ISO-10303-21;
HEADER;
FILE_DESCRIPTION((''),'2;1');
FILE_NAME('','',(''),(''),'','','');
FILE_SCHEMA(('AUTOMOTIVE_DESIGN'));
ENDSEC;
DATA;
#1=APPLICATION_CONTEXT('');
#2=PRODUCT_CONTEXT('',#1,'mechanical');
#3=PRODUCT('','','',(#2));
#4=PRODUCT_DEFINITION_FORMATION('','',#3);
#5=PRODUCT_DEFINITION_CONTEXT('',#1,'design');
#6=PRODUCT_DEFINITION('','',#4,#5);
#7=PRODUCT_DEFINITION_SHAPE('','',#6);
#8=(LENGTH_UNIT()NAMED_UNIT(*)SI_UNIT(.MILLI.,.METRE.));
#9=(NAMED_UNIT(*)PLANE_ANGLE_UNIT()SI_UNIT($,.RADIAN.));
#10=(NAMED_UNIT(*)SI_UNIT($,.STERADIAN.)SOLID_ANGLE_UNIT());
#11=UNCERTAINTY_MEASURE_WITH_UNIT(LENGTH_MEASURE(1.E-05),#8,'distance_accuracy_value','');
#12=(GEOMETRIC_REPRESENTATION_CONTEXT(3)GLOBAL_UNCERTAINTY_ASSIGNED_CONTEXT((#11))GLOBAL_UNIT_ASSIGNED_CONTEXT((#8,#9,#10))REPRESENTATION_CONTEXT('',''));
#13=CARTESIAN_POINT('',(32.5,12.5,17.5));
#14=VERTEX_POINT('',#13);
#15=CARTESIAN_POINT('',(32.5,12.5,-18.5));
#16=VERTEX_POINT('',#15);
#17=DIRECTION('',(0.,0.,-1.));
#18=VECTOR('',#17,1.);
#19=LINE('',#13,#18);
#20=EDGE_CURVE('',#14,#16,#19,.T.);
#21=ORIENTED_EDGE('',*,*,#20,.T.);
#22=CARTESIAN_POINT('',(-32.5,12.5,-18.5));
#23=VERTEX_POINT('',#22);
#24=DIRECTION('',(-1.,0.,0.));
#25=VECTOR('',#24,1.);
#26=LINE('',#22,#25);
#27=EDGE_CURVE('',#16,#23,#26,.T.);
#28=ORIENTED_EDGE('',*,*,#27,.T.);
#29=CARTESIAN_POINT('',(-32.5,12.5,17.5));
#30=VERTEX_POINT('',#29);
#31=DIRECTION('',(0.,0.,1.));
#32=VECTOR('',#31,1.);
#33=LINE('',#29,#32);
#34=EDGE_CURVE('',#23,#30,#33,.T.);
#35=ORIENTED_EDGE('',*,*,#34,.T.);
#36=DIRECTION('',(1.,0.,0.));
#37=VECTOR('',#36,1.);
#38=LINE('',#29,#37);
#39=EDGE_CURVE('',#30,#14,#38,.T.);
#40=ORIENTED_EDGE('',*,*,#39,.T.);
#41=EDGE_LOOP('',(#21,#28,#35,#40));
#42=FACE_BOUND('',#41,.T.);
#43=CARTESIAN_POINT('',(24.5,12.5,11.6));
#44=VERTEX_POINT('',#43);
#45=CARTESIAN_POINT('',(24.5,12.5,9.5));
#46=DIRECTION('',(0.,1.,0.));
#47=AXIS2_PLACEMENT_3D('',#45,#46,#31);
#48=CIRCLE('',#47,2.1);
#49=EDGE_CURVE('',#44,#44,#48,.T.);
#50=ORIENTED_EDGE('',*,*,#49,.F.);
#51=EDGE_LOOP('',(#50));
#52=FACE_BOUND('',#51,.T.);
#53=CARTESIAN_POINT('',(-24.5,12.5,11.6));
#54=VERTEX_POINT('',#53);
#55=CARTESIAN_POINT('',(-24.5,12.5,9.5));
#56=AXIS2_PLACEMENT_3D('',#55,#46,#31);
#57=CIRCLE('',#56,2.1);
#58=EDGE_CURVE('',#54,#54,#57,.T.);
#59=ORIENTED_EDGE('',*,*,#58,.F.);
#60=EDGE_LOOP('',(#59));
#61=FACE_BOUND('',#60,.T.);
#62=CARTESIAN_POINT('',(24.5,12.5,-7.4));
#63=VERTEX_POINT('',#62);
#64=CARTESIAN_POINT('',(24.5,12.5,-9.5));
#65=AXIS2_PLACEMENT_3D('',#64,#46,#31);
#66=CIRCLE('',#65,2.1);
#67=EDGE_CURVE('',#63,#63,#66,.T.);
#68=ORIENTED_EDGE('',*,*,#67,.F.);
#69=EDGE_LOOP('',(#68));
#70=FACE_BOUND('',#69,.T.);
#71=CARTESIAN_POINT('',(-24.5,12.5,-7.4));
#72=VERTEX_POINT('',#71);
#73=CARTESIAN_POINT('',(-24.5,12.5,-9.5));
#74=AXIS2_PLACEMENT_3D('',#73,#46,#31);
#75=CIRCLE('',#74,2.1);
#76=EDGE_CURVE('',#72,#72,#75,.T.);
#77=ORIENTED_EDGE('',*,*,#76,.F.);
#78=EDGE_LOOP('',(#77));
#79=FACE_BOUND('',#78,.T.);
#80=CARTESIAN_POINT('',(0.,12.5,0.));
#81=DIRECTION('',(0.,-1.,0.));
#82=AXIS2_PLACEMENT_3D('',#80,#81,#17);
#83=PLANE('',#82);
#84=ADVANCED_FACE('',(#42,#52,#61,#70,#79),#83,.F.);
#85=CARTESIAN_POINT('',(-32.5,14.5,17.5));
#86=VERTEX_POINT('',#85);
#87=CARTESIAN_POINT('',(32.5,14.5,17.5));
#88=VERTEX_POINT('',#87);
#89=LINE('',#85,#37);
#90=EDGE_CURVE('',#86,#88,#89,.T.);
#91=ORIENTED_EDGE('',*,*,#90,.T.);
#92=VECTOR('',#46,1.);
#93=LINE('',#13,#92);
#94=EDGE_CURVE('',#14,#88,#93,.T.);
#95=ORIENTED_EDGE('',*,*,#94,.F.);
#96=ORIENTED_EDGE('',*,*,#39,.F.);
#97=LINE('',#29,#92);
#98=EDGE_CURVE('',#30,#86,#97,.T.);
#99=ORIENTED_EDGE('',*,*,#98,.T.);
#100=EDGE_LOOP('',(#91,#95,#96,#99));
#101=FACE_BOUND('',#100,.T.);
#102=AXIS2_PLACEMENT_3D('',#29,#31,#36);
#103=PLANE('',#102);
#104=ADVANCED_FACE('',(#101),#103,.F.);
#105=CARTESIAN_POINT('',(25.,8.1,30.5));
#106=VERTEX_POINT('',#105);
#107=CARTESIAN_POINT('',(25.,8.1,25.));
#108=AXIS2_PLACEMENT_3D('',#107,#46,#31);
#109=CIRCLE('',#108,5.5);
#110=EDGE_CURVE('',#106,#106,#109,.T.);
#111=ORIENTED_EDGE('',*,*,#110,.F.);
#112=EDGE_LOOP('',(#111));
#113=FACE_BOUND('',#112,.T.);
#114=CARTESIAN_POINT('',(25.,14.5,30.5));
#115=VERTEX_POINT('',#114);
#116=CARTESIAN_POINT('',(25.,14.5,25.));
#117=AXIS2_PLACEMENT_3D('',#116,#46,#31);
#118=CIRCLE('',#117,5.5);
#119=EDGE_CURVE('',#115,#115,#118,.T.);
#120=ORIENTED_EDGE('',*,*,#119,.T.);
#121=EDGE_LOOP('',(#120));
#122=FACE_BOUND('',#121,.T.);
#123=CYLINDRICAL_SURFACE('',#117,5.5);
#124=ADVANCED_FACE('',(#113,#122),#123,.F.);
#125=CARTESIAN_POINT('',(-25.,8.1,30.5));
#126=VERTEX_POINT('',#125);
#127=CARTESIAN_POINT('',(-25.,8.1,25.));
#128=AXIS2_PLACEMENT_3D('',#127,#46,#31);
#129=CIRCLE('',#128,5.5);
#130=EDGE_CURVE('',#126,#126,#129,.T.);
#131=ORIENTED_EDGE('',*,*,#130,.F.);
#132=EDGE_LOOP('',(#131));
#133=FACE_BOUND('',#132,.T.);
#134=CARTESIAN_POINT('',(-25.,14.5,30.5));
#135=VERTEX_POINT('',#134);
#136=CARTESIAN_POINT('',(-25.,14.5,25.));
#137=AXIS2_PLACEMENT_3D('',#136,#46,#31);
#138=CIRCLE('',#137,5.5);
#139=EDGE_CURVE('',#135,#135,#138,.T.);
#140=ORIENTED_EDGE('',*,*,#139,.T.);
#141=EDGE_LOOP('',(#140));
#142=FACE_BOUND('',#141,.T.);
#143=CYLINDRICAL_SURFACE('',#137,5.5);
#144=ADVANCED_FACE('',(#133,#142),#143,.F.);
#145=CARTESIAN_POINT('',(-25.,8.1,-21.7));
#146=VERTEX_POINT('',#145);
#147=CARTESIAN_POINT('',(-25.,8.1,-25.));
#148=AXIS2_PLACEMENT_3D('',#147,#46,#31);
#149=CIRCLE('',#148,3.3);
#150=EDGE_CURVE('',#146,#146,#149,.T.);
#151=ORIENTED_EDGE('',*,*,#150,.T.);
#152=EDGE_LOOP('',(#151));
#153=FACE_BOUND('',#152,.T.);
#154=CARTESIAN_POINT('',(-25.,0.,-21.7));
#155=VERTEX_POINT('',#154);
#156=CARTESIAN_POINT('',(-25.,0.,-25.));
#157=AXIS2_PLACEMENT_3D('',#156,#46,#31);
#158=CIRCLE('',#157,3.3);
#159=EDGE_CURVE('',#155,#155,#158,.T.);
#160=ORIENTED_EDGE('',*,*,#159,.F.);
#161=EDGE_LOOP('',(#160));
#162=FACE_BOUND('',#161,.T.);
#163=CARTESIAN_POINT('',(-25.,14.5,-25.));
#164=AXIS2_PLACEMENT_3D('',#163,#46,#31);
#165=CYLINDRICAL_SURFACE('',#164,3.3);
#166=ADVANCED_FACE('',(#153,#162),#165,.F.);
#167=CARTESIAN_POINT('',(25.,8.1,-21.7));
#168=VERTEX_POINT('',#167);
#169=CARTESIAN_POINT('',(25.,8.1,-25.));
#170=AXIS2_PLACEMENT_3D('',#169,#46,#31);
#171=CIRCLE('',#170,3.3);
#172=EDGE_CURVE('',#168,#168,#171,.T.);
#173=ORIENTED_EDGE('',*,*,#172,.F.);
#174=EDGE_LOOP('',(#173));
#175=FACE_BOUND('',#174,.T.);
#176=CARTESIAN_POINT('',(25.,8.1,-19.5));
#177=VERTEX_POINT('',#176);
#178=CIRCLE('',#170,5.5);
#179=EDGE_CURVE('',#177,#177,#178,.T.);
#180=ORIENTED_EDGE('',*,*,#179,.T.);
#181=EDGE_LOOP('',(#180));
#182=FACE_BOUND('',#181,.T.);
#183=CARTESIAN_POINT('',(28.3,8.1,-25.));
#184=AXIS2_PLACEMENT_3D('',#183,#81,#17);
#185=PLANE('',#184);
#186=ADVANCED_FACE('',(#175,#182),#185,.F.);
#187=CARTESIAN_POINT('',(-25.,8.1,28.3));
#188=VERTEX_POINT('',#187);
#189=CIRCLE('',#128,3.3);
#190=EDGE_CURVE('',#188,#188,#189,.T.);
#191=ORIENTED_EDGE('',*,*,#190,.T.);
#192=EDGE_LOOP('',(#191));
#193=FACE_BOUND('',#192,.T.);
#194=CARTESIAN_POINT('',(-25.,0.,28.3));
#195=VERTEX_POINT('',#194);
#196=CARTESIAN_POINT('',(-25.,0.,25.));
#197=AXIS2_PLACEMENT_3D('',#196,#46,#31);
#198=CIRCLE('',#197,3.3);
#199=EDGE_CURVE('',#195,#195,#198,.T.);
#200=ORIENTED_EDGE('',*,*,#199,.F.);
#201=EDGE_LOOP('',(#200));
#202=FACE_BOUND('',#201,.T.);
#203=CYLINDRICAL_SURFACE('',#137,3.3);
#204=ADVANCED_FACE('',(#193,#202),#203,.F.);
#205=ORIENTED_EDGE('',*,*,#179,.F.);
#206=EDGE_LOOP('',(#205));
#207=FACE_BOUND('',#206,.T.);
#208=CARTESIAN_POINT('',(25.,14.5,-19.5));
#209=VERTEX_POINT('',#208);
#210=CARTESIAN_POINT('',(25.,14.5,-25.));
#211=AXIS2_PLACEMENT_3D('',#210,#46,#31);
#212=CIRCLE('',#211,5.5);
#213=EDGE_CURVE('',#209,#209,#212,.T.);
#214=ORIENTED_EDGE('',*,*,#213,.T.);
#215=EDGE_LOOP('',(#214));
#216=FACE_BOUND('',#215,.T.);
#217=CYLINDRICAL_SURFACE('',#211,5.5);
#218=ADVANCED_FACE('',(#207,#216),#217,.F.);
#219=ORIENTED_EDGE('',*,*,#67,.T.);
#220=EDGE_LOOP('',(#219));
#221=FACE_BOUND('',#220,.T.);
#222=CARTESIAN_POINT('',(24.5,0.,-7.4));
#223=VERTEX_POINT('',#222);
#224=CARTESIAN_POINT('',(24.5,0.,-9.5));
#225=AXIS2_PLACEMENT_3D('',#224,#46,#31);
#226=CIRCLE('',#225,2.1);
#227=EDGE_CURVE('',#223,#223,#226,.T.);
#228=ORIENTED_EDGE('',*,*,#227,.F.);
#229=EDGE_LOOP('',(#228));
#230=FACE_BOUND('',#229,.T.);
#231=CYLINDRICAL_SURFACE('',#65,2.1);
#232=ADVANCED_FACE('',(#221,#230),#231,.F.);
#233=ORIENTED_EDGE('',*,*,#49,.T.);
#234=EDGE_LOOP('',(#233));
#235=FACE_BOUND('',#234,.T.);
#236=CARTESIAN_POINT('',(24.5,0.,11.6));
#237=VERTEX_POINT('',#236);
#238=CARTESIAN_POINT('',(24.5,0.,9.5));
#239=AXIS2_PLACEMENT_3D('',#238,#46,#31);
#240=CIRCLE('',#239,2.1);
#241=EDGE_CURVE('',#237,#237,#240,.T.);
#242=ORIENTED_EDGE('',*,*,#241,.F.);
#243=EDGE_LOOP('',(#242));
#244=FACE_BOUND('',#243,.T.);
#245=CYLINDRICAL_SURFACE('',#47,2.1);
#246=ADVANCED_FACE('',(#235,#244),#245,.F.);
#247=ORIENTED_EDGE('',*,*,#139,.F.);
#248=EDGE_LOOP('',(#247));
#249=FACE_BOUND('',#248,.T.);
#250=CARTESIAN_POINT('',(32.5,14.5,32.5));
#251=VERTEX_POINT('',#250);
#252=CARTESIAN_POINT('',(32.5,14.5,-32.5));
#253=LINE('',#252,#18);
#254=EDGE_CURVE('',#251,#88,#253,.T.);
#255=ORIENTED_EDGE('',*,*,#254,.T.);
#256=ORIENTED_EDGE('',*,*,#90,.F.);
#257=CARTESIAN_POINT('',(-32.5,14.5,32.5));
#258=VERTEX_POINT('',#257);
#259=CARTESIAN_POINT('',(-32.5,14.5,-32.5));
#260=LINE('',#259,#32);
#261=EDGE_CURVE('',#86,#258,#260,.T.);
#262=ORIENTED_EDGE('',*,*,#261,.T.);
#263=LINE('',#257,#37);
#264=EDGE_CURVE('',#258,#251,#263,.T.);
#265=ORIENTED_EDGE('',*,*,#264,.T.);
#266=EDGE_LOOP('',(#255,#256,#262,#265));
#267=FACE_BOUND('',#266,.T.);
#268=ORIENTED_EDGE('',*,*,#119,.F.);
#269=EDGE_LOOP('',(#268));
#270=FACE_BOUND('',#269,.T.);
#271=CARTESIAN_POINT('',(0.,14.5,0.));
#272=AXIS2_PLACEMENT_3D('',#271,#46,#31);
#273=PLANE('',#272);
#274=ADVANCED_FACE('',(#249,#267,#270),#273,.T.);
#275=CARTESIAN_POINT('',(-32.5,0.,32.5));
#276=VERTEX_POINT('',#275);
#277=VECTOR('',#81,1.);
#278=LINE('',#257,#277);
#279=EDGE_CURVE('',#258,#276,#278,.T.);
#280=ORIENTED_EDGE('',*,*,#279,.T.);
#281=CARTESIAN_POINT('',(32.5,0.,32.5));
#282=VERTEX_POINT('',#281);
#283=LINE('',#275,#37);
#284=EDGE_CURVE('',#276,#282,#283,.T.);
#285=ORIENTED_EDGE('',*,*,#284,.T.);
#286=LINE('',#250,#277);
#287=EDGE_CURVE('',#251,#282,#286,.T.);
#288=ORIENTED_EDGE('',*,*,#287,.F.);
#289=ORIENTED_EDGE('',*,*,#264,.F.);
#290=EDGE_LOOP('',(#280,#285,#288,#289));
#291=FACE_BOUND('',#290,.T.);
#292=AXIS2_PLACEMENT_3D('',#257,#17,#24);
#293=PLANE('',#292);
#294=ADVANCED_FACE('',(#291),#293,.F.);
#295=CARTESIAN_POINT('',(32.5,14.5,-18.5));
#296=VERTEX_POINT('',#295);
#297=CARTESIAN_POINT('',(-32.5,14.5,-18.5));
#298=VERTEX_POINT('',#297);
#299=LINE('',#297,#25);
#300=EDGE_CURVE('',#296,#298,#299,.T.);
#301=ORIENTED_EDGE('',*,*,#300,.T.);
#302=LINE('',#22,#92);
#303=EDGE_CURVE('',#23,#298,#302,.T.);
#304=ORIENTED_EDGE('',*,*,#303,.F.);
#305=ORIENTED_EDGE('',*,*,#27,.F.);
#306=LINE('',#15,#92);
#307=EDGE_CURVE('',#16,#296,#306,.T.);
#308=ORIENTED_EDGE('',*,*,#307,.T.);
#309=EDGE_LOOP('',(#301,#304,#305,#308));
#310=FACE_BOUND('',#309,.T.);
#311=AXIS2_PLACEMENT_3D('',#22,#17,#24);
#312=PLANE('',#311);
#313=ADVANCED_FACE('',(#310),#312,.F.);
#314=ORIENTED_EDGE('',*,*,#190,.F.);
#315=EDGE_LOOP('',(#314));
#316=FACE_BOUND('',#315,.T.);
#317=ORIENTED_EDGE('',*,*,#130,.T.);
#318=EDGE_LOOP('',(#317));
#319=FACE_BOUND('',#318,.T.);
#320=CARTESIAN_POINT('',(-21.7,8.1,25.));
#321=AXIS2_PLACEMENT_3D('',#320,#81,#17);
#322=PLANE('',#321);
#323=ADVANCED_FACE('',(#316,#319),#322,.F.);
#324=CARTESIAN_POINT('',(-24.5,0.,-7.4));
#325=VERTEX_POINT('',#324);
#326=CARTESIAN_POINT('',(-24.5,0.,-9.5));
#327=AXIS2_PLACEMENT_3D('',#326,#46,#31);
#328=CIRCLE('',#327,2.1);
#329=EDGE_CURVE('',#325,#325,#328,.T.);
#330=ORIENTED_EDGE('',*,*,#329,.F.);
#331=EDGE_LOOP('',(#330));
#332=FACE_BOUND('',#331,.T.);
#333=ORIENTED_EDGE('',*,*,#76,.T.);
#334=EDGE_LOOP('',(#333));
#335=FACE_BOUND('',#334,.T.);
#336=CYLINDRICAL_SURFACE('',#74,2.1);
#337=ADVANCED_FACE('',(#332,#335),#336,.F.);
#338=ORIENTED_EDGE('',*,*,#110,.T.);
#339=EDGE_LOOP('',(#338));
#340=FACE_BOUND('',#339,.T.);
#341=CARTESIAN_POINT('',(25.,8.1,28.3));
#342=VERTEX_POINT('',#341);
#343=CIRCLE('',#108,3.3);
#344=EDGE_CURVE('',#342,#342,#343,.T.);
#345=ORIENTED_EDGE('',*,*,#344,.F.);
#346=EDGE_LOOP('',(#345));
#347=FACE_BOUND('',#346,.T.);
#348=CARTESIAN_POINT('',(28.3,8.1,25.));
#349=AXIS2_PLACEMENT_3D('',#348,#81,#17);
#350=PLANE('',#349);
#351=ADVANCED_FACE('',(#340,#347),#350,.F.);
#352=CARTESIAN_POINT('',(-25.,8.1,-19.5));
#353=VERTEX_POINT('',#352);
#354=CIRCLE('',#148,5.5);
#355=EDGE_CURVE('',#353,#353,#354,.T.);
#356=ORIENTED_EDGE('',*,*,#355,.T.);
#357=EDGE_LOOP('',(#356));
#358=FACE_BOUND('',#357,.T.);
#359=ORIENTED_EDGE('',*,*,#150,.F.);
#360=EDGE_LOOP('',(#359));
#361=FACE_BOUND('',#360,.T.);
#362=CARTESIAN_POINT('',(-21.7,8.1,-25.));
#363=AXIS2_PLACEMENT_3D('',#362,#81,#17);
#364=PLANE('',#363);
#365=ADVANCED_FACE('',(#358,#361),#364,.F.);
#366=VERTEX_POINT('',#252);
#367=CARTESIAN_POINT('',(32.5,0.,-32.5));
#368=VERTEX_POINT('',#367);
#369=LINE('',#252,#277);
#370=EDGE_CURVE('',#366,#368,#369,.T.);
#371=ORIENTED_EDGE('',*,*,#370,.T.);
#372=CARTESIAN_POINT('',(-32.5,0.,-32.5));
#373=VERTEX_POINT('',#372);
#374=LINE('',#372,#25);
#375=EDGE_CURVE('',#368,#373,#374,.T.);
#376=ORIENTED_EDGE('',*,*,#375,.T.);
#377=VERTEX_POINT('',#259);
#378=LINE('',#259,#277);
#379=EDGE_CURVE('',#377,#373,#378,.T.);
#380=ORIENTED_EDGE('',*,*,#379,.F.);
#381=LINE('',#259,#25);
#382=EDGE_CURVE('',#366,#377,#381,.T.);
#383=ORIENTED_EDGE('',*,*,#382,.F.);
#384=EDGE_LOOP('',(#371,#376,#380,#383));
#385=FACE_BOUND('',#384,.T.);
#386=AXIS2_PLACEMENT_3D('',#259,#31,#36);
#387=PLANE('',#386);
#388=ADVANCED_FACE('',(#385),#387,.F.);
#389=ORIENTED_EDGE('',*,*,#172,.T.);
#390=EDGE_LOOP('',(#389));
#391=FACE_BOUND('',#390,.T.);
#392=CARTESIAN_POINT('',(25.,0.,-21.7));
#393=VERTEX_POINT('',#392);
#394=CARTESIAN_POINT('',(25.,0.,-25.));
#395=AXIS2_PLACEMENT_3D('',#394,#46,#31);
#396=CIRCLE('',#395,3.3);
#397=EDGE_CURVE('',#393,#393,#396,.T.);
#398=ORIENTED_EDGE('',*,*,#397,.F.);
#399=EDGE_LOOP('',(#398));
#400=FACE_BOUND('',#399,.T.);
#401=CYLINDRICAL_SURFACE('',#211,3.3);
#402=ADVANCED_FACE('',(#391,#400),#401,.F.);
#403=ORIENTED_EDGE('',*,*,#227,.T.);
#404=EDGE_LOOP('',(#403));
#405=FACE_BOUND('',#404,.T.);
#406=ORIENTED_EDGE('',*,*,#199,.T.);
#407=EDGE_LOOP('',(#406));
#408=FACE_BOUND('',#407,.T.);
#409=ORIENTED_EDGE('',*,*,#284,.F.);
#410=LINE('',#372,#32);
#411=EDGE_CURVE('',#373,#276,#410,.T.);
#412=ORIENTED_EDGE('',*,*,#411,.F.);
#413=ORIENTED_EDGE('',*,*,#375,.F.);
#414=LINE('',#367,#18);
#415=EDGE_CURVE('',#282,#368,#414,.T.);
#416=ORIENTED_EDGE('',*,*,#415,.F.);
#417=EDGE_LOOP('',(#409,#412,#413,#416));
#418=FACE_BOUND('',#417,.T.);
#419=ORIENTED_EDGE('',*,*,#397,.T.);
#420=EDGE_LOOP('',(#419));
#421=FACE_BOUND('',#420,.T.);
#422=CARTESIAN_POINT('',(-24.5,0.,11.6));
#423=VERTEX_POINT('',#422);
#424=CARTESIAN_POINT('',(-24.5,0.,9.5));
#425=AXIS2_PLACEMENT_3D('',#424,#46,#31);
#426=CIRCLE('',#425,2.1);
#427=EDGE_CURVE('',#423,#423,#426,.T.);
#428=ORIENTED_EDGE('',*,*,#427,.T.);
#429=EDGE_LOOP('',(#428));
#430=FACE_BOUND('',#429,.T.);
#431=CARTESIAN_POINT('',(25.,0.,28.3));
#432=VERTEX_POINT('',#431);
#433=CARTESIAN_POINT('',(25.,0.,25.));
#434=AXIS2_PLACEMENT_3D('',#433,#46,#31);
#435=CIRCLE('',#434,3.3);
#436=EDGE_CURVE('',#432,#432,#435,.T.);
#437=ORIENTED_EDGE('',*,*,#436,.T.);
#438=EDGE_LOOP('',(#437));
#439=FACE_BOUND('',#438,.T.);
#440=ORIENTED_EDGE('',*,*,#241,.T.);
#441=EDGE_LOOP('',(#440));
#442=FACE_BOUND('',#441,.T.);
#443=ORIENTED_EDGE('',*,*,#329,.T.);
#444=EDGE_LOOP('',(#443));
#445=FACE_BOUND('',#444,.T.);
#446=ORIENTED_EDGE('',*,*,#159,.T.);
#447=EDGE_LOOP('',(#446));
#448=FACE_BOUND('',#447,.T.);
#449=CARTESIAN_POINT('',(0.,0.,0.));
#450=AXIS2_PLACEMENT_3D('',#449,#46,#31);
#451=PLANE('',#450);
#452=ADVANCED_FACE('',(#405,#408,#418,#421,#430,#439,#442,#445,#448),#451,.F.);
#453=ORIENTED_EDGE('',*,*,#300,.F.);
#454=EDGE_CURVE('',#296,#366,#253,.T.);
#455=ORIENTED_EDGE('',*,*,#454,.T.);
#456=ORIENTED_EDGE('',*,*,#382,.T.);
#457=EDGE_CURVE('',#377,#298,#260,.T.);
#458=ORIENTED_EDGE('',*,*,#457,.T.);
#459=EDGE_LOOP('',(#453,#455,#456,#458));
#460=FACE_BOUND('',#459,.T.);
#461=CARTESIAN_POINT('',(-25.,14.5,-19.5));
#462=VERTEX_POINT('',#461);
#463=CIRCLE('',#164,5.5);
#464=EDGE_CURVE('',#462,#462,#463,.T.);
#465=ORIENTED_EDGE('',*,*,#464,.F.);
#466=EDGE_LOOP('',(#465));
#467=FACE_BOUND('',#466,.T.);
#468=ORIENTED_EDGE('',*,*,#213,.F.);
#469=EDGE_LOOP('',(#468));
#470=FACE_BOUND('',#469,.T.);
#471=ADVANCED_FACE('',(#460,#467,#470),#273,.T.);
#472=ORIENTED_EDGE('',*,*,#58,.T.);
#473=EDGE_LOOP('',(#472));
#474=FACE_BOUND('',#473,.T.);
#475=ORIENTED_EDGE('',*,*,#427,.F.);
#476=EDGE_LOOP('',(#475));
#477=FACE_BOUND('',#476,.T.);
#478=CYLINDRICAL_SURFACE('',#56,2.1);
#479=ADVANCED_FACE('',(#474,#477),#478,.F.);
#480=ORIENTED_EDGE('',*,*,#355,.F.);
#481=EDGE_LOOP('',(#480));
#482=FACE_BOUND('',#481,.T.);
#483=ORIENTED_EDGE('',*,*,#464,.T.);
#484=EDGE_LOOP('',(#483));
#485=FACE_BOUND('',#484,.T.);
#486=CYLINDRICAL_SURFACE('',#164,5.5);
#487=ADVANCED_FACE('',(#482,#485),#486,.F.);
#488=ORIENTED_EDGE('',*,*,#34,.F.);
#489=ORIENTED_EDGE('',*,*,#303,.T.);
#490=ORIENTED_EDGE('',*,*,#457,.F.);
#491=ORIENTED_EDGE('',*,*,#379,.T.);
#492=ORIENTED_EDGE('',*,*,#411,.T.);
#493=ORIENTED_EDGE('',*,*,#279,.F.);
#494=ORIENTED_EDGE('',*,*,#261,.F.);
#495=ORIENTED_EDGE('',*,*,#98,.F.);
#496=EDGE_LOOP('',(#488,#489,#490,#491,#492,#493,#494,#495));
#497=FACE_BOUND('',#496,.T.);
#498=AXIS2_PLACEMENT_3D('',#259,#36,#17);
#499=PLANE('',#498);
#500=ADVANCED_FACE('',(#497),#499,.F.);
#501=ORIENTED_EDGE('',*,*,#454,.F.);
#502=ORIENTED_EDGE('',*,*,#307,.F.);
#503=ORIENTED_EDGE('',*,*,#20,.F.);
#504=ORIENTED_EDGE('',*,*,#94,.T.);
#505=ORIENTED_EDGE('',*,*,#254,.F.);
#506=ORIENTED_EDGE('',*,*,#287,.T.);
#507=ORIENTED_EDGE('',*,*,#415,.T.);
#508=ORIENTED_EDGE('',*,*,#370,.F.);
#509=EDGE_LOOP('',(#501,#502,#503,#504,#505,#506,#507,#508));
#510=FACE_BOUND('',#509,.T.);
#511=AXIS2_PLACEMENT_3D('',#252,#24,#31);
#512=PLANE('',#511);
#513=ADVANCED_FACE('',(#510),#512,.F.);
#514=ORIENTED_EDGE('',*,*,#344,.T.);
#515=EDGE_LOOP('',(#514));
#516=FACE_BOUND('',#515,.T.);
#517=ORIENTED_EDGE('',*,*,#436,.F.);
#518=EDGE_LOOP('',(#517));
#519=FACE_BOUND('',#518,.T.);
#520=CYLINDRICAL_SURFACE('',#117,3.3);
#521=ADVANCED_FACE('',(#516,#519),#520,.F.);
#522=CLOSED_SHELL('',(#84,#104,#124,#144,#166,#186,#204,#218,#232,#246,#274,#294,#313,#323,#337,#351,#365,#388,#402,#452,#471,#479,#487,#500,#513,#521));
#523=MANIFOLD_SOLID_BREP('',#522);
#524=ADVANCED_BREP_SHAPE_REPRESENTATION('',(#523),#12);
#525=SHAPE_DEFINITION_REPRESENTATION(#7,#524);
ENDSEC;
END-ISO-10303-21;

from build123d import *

# Parameters (mm, degrees)
SKIZZE1_W                                            = 65
SKIZZE1_H                                            = 65
AUFSATZ_LINEAR_AUSTRAGEN1_DEPTH                      = 14.5
STIRNSENKUNG_F_R_M6_ZYLINDERSCHRAUBE_MIT_D           = 6.6
STIRNSENKUNG_F_R_M6_ZYLINDERSCHRAUBE_MIT_CBORE_D     = 11
STIRNSENKUNG_F_R_M6_ZYLINDERSCHRAUBE_MIT_CBORE_DEPTH = 6.4
SKIZZE8_W                                            = 65
SKIZZE8_H                                            = 36
SCHNITT_LINEAR_AUSTRAGEN1_DEPTH                      = 2
KERNLOCH_F_R_M5_GEWINDE1_D                           = 4.2


with BuildPart() as part:
    # Skizze1 → Aufsatz-Linear austragen1 (new body)
    with BuildSketch(Plane(origin=(0, 0, 0), x_dir=(1, 0, 0), z_dir=(0, 1, 0))):
        Rectangle(SKIZZE1_W, SKIZZE1_H)
    extrude(amount=AUFSATZ_LINEAR_AUSTRAGEN1_DEPTH)

    # Stirnsenkung für M6 Zylinderschraube mit Innensechskant1 (through all)
    with Locations(Plane(origin=(0, 14.5, 0), x_dir=(1, 0, 0), z_dir=(0, 1, 0))):
        with Locations((-25, -25), (-25, 25), (25, 25), (25, -25)):
            CounterBoreHole(STIRNSENKUNG_F_R_M6_ZYLINDERSCHRAUBE_MIT_D / 2, STIRNSENKUNG_F_R_M6_ZYLINDERSCHRAUBE_MIT_CBORE_D / 2, STIRNSENKUNG_F_R_M6_ZYLINDERSCHRAUBE_MIT_CBORE_DEPTH)

    # Skizze8 → Schnitt-Linear austragen1 (cut)
    with BuildSketch(Plane(origin=(0, 14.5, 0), x_dir=(1, 0, 0), z_dir=(0, 1, 0))):
        with Locations((0, 0.5)):
            Rectangle(SKIZZE8_W, SKIZZE8_H)
    extrude(amount=-SCHNITT_LINEAR_AUSTRAGEN1_DEPTH, mode=Mode.SUBTRACT)

    # Kernloch für M5 Gewinde1 (through all)
    with Locations(Plane(origin=(61.744554923, 12.5, 78.125902763), x_dir=(0, 0, 1), z_dir=(0, 1, 0))):
        with Locations((-68.625902763, -37.244554923), (-87.625902763, -37.244554923), (-87.625902763, -86.244554923), (-68.625902763, -86.244554923)):
            Hole(KERNLOCH_F_R_M5_GEWINDE1_D / 2)


solid = part.part
